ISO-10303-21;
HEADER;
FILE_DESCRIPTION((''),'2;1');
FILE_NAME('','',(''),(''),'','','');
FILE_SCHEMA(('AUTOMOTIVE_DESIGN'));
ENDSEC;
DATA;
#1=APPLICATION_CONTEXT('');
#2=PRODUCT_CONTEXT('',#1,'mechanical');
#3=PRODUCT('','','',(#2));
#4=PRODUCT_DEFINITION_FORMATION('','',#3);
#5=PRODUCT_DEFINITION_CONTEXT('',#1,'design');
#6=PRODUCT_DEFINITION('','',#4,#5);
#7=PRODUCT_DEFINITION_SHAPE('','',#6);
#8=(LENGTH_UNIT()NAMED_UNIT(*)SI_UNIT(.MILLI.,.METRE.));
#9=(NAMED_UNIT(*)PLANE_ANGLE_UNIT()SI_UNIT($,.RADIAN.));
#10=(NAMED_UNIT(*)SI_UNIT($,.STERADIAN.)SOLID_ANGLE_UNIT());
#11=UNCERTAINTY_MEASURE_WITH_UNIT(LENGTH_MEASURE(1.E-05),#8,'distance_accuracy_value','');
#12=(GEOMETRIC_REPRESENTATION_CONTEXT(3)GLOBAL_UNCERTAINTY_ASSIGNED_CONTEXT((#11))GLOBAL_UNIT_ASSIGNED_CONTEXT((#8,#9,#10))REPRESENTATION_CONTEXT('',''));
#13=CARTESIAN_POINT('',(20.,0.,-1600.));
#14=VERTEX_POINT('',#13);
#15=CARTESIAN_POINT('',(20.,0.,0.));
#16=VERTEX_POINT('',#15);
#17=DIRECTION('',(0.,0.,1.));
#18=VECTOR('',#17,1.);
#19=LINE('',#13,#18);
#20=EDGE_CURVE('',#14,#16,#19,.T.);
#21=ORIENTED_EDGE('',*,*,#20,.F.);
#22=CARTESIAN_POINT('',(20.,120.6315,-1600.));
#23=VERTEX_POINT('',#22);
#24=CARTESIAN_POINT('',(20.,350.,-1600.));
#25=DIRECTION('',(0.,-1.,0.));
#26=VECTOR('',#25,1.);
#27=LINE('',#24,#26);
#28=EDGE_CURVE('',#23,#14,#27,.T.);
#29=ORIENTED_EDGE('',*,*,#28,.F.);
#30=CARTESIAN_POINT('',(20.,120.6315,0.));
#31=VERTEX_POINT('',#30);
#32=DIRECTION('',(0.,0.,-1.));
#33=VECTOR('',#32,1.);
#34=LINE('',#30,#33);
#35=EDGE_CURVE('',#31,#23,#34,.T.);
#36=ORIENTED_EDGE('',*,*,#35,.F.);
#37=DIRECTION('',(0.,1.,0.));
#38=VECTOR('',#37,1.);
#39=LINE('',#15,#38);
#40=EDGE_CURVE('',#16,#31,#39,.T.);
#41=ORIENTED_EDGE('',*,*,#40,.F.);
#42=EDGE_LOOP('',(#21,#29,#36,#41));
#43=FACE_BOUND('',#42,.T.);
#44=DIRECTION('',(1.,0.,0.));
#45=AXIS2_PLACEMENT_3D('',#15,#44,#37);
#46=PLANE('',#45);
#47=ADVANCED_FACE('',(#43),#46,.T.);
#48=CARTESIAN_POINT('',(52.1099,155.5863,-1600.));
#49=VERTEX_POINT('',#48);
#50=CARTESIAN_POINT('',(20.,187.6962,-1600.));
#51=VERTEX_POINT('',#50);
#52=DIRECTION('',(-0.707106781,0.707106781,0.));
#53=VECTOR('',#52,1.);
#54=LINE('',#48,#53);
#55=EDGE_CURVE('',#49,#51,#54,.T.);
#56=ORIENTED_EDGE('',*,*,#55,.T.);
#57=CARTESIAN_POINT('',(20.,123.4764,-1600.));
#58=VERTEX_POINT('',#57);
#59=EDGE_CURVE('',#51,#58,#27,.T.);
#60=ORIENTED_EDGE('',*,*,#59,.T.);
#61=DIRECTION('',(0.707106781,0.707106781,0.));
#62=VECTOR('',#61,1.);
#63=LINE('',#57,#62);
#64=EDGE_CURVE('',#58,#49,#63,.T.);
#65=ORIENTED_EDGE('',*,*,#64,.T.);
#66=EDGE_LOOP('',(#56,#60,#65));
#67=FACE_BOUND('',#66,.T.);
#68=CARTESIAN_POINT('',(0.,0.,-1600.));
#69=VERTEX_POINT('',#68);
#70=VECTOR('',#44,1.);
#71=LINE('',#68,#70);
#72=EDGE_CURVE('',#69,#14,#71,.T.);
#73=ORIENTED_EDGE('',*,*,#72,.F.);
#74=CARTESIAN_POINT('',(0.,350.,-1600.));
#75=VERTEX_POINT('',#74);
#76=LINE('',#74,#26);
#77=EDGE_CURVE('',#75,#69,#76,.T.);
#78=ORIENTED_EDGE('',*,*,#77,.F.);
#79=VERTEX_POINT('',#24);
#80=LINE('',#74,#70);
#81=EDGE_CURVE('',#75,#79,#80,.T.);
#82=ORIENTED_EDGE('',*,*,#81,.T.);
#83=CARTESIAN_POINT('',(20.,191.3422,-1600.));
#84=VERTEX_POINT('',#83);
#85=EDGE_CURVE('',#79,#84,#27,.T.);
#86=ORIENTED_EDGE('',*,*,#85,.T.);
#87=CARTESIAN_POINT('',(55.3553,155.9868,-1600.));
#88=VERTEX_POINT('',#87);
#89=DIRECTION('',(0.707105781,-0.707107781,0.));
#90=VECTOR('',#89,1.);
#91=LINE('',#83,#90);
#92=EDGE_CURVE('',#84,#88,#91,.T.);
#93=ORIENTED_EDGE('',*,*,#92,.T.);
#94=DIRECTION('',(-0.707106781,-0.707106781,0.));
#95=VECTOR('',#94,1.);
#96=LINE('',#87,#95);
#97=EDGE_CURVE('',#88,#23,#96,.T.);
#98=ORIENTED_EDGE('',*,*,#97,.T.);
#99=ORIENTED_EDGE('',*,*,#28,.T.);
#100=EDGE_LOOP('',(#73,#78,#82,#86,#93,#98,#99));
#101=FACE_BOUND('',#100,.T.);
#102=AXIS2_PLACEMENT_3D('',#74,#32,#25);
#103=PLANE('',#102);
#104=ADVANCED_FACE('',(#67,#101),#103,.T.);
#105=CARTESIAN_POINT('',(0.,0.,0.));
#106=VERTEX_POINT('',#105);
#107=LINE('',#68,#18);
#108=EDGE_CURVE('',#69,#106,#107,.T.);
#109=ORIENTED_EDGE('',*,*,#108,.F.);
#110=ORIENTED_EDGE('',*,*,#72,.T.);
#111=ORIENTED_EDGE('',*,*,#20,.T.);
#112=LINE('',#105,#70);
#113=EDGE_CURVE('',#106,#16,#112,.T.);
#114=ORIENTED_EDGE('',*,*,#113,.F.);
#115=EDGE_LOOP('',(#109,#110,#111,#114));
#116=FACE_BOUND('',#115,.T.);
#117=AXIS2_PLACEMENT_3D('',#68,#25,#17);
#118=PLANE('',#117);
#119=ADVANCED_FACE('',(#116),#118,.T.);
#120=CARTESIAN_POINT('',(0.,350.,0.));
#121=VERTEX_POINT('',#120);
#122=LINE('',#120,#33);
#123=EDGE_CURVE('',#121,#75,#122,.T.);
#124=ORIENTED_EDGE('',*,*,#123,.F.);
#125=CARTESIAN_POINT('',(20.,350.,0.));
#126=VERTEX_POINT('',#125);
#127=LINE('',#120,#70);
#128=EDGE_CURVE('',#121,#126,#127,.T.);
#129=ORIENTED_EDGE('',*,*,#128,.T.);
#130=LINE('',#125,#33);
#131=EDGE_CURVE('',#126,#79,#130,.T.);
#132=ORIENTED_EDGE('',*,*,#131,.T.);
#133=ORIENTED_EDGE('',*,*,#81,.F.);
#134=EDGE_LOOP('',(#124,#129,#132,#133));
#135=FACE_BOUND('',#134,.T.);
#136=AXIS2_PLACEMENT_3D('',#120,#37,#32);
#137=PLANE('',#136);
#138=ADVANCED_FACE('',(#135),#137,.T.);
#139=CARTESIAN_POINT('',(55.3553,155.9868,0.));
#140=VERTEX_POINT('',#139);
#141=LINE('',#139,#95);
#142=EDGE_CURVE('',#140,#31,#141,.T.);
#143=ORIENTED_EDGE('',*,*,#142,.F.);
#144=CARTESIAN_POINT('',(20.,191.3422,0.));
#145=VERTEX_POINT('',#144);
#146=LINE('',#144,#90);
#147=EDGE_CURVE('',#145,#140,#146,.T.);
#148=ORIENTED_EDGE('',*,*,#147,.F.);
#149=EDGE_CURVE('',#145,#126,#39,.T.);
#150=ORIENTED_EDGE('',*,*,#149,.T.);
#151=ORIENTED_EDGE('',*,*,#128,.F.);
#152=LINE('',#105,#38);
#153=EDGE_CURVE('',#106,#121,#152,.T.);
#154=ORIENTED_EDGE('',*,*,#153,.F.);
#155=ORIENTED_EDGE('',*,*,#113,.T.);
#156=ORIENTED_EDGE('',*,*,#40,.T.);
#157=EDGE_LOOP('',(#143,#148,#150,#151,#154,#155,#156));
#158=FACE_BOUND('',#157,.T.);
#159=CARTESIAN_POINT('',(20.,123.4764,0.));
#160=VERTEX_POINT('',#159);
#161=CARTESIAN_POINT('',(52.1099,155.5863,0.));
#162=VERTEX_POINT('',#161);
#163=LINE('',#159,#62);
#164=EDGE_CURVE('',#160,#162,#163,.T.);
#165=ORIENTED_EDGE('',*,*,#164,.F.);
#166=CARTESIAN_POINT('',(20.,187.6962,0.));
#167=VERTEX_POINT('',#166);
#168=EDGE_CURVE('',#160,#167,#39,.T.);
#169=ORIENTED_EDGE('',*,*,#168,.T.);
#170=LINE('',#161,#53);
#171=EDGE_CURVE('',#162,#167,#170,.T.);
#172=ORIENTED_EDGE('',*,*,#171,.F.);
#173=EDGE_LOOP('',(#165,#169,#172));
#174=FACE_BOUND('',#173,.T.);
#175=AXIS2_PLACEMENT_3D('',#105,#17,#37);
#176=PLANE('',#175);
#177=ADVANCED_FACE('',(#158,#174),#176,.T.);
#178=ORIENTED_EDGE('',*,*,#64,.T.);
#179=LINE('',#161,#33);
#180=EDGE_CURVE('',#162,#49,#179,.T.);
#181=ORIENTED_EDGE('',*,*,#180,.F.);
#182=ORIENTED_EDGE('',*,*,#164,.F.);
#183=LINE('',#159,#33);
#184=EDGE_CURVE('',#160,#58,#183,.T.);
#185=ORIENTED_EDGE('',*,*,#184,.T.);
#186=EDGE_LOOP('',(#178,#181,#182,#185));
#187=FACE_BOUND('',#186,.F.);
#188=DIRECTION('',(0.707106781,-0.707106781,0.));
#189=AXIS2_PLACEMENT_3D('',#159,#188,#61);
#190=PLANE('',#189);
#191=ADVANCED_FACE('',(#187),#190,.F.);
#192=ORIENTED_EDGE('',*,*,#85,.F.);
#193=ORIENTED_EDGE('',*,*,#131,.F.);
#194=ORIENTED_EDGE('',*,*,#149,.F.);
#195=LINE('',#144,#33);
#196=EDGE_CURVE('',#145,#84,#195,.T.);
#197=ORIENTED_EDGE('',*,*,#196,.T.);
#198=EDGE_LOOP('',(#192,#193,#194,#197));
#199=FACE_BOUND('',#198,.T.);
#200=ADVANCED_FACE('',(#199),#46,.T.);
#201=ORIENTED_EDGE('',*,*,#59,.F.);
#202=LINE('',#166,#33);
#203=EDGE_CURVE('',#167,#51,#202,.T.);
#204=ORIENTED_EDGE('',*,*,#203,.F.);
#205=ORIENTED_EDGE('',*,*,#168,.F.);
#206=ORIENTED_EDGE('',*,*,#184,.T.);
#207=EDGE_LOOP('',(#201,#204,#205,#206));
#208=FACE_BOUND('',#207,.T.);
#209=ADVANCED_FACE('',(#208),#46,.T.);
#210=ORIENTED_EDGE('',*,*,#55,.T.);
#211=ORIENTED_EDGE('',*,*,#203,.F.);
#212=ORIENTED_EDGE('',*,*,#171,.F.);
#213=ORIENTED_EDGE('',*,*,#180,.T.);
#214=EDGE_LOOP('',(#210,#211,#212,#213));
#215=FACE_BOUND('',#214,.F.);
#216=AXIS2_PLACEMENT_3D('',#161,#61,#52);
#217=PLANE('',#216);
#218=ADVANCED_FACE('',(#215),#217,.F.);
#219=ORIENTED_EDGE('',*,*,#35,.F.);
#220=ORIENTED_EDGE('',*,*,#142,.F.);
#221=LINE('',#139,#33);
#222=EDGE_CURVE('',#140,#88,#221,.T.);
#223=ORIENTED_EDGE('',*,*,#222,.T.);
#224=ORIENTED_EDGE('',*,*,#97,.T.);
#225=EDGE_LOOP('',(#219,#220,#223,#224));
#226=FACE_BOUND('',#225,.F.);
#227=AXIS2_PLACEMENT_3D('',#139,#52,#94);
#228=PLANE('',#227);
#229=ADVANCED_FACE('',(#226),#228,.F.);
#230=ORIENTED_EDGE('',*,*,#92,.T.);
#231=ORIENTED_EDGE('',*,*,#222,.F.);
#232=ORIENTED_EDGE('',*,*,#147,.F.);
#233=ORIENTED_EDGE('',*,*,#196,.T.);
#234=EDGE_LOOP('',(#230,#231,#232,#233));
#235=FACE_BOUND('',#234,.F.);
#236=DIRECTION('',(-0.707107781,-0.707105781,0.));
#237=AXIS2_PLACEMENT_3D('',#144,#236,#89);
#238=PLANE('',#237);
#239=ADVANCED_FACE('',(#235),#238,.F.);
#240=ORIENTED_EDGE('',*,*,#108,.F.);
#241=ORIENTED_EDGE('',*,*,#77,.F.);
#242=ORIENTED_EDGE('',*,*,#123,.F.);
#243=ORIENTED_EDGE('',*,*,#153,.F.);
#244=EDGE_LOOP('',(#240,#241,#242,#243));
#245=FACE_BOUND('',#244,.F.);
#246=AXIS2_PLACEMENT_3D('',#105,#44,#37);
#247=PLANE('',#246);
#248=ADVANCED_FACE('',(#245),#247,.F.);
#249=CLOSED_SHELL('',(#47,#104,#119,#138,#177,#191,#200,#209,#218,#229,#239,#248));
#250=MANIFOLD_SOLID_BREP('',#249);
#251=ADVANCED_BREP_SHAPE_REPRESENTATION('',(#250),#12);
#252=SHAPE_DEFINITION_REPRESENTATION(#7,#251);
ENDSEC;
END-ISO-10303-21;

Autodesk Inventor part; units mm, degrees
ref_plane "YZ Plane" through (0, 0, 0) normal (1, 0, 0) x (0, 1, 0)
ref_plane "XZ Plane" through (0, 0, 0) normal (0, 1, 0) x (-1, 0, 0)
ref_plane "XY Plane" through (0, 0, 0) normal (0, 0, 1) x (1, 0, 0)
sketch "Sketch1" plane through (0, 0, 0) normal (1, 0, 0) x (0, 1, 0)
  point P0 (0, 0)
sketch "Sketch2" plane through (0, 0, 0) normal (1, 0, 0) x (0, 1, 0)
  line L0 (0, 0) -> (350, 0)
  line L1 (350, 0) -> (350, -1600)
  line L2 (350, -1600) -> (0, -1600)
  line L3 (0, -1600) -> (0, 0)
  dimension "d0" = 350
  dimension "d1" = 1600
extrude "Extrusion1" add sketch "Sketch2" along normal blind 20
sketch "Sketch5" plane through (0, 0, 0) normal (0, 0, 1) x (1, 0, 0)
  line L0 (20, 0) -> (20, 350) projected
  line L1 (20, 191.3422) -> (55.3553, 155.9868)
  line L2 (20, 191.3422) -> (70, 191.3422) construction
  line L3 (55.3553, 155.9868) -> (20, 120.6315)
  line L4 (20, 120.6315) -> (20, 123.4764)
  line L5 (20, 123.4764) -> (52.1099, 155.5863)
  line L6 (52.1099, 155.5863) -> (20, 187.6962)
  line L7 (20, 187.6962) -> (20, 191.3422)
  point P0 (0, 0)
  dimension "d10" = 50
  dimension "d11" = 45
  dimension "d12" = 50
extrude "Extrusion3" add sketch "Sketch5" against normal blind 1600 contours L0 L5 L6 L1 L3
properties part number "Riel Inferior"
